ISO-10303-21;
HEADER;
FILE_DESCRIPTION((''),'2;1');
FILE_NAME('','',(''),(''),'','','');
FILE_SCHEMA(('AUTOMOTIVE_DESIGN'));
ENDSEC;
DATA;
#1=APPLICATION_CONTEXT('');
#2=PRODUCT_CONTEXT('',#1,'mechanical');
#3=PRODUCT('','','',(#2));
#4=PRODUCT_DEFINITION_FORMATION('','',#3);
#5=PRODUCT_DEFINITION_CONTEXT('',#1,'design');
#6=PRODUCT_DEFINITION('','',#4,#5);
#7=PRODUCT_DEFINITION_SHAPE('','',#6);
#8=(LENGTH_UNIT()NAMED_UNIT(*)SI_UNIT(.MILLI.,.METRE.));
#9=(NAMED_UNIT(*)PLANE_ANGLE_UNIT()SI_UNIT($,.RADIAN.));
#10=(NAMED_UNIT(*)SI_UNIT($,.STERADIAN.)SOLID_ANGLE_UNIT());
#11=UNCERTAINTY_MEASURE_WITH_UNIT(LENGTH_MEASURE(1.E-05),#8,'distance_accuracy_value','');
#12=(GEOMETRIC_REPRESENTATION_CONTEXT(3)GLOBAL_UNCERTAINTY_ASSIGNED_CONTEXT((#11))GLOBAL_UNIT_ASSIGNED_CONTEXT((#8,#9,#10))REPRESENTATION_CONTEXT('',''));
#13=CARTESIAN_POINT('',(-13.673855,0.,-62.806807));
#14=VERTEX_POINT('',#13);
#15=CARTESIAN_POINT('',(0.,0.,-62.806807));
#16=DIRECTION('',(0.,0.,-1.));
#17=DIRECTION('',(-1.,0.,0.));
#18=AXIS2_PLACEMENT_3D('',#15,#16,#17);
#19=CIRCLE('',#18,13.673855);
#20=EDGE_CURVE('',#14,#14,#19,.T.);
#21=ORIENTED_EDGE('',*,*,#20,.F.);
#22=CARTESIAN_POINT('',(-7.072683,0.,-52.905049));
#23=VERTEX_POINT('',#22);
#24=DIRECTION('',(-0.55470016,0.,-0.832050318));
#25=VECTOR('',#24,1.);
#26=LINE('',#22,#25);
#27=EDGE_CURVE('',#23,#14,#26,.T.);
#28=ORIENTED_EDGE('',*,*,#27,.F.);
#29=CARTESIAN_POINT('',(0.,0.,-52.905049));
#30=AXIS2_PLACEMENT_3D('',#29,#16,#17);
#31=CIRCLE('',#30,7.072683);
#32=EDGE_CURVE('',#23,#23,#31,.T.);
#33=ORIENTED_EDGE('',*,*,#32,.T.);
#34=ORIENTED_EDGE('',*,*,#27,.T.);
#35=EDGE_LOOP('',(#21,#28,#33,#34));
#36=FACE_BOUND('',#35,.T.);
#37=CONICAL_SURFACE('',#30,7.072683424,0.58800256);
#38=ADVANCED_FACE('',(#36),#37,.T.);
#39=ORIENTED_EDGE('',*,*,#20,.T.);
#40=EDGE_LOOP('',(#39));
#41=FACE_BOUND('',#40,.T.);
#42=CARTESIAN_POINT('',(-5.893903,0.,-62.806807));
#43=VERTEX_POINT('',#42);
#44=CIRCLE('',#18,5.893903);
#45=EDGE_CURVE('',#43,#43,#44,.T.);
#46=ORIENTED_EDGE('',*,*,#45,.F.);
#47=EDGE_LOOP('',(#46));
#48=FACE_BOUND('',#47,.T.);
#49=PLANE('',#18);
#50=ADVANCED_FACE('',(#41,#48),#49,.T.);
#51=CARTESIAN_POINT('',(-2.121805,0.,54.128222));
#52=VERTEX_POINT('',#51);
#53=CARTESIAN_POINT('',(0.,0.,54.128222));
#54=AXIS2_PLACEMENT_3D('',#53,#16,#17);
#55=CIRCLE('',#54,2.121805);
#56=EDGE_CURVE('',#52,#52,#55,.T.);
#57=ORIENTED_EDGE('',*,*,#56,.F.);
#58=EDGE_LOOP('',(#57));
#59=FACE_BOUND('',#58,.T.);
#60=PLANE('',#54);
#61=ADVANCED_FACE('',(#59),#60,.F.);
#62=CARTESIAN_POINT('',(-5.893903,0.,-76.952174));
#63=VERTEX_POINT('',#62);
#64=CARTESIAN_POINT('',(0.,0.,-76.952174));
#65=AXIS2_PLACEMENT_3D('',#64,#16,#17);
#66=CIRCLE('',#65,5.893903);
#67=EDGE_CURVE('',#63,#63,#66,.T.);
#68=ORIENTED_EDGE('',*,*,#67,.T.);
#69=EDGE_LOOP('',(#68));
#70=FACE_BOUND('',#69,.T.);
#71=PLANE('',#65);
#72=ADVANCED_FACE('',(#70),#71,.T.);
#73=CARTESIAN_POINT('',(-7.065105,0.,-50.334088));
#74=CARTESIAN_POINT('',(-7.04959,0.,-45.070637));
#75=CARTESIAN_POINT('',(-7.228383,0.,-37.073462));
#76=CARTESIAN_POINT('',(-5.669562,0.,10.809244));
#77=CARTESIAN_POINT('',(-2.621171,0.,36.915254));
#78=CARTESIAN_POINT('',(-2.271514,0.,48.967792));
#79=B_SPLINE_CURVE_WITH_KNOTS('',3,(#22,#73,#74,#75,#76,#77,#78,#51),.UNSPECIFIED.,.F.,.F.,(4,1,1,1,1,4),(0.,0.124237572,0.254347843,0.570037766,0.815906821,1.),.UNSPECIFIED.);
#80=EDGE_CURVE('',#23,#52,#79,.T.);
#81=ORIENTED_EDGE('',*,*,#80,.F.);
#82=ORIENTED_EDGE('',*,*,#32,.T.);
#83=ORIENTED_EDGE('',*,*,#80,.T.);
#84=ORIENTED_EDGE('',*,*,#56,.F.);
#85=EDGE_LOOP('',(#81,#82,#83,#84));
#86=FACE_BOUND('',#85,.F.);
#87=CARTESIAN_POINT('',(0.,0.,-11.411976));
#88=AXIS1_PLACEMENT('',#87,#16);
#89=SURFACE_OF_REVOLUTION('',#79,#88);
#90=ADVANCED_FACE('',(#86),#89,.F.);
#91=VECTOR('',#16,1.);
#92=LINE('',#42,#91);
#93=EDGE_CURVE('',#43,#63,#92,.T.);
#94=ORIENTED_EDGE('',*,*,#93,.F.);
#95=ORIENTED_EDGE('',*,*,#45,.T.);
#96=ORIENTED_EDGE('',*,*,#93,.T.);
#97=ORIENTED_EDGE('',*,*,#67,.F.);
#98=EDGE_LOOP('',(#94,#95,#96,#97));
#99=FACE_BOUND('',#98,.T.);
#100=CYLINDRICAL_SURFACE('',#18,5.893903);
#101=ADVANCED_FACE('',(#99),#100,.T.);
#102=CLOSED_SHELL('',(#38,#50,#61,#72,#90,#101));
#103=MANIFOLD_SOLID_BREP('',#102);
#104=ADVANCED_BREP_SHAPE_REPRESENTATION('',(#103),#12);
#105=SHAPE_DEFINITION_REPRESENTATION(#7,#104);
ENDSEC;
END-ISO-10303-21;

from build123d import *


with BuildPart() as f1:
    # F0 (on Front) → F1 (revolve)
    with BuildSketch(Plane.XZ):
        with BuildLine():
            Line((-5.8939033188, -62.8068074584), (-5.8939033188, -76.9521743059))
            Line((-5.8939033188, -76.9521743059), (0, -76.9521743059))
            Line((0, -76.9521743059), (0, 54.1282221675))
            Line((0, 54.1282221675), (-2.1218045149, 54.1282221675))
            add(Edge.make_bspline(
                [(-7.0726834238, -52.905049175), (-7.0651048994, -50.3340882115), (-7.0495896146, -45.0706371973), (-7.2283829494, -37.0734623527), (-5.6695624565, 10.8092441943), (-2.621171063, 36.9152537136), (-2.2715140908, 48.9677919833), (-2.1218045149, 54.1282221675)],
                knots=[0, 0, 0, 0, 0.1242375723, 0.2543478432, 0.5700377664, 0.8159068207, 1, 1, 1, 1], degree=3))
            Line((-7.0726834238, -52.905049175), (-13.6738549918, -62.8068074584))
            Line((-13.6738549918, -62.8068074584), (-5.8939033188, -62.8068074584))
        make_face()
    revolve(axis=Axis((0, 0, -11.4119760692), (0, 0, -1)))


solid = f1.part
